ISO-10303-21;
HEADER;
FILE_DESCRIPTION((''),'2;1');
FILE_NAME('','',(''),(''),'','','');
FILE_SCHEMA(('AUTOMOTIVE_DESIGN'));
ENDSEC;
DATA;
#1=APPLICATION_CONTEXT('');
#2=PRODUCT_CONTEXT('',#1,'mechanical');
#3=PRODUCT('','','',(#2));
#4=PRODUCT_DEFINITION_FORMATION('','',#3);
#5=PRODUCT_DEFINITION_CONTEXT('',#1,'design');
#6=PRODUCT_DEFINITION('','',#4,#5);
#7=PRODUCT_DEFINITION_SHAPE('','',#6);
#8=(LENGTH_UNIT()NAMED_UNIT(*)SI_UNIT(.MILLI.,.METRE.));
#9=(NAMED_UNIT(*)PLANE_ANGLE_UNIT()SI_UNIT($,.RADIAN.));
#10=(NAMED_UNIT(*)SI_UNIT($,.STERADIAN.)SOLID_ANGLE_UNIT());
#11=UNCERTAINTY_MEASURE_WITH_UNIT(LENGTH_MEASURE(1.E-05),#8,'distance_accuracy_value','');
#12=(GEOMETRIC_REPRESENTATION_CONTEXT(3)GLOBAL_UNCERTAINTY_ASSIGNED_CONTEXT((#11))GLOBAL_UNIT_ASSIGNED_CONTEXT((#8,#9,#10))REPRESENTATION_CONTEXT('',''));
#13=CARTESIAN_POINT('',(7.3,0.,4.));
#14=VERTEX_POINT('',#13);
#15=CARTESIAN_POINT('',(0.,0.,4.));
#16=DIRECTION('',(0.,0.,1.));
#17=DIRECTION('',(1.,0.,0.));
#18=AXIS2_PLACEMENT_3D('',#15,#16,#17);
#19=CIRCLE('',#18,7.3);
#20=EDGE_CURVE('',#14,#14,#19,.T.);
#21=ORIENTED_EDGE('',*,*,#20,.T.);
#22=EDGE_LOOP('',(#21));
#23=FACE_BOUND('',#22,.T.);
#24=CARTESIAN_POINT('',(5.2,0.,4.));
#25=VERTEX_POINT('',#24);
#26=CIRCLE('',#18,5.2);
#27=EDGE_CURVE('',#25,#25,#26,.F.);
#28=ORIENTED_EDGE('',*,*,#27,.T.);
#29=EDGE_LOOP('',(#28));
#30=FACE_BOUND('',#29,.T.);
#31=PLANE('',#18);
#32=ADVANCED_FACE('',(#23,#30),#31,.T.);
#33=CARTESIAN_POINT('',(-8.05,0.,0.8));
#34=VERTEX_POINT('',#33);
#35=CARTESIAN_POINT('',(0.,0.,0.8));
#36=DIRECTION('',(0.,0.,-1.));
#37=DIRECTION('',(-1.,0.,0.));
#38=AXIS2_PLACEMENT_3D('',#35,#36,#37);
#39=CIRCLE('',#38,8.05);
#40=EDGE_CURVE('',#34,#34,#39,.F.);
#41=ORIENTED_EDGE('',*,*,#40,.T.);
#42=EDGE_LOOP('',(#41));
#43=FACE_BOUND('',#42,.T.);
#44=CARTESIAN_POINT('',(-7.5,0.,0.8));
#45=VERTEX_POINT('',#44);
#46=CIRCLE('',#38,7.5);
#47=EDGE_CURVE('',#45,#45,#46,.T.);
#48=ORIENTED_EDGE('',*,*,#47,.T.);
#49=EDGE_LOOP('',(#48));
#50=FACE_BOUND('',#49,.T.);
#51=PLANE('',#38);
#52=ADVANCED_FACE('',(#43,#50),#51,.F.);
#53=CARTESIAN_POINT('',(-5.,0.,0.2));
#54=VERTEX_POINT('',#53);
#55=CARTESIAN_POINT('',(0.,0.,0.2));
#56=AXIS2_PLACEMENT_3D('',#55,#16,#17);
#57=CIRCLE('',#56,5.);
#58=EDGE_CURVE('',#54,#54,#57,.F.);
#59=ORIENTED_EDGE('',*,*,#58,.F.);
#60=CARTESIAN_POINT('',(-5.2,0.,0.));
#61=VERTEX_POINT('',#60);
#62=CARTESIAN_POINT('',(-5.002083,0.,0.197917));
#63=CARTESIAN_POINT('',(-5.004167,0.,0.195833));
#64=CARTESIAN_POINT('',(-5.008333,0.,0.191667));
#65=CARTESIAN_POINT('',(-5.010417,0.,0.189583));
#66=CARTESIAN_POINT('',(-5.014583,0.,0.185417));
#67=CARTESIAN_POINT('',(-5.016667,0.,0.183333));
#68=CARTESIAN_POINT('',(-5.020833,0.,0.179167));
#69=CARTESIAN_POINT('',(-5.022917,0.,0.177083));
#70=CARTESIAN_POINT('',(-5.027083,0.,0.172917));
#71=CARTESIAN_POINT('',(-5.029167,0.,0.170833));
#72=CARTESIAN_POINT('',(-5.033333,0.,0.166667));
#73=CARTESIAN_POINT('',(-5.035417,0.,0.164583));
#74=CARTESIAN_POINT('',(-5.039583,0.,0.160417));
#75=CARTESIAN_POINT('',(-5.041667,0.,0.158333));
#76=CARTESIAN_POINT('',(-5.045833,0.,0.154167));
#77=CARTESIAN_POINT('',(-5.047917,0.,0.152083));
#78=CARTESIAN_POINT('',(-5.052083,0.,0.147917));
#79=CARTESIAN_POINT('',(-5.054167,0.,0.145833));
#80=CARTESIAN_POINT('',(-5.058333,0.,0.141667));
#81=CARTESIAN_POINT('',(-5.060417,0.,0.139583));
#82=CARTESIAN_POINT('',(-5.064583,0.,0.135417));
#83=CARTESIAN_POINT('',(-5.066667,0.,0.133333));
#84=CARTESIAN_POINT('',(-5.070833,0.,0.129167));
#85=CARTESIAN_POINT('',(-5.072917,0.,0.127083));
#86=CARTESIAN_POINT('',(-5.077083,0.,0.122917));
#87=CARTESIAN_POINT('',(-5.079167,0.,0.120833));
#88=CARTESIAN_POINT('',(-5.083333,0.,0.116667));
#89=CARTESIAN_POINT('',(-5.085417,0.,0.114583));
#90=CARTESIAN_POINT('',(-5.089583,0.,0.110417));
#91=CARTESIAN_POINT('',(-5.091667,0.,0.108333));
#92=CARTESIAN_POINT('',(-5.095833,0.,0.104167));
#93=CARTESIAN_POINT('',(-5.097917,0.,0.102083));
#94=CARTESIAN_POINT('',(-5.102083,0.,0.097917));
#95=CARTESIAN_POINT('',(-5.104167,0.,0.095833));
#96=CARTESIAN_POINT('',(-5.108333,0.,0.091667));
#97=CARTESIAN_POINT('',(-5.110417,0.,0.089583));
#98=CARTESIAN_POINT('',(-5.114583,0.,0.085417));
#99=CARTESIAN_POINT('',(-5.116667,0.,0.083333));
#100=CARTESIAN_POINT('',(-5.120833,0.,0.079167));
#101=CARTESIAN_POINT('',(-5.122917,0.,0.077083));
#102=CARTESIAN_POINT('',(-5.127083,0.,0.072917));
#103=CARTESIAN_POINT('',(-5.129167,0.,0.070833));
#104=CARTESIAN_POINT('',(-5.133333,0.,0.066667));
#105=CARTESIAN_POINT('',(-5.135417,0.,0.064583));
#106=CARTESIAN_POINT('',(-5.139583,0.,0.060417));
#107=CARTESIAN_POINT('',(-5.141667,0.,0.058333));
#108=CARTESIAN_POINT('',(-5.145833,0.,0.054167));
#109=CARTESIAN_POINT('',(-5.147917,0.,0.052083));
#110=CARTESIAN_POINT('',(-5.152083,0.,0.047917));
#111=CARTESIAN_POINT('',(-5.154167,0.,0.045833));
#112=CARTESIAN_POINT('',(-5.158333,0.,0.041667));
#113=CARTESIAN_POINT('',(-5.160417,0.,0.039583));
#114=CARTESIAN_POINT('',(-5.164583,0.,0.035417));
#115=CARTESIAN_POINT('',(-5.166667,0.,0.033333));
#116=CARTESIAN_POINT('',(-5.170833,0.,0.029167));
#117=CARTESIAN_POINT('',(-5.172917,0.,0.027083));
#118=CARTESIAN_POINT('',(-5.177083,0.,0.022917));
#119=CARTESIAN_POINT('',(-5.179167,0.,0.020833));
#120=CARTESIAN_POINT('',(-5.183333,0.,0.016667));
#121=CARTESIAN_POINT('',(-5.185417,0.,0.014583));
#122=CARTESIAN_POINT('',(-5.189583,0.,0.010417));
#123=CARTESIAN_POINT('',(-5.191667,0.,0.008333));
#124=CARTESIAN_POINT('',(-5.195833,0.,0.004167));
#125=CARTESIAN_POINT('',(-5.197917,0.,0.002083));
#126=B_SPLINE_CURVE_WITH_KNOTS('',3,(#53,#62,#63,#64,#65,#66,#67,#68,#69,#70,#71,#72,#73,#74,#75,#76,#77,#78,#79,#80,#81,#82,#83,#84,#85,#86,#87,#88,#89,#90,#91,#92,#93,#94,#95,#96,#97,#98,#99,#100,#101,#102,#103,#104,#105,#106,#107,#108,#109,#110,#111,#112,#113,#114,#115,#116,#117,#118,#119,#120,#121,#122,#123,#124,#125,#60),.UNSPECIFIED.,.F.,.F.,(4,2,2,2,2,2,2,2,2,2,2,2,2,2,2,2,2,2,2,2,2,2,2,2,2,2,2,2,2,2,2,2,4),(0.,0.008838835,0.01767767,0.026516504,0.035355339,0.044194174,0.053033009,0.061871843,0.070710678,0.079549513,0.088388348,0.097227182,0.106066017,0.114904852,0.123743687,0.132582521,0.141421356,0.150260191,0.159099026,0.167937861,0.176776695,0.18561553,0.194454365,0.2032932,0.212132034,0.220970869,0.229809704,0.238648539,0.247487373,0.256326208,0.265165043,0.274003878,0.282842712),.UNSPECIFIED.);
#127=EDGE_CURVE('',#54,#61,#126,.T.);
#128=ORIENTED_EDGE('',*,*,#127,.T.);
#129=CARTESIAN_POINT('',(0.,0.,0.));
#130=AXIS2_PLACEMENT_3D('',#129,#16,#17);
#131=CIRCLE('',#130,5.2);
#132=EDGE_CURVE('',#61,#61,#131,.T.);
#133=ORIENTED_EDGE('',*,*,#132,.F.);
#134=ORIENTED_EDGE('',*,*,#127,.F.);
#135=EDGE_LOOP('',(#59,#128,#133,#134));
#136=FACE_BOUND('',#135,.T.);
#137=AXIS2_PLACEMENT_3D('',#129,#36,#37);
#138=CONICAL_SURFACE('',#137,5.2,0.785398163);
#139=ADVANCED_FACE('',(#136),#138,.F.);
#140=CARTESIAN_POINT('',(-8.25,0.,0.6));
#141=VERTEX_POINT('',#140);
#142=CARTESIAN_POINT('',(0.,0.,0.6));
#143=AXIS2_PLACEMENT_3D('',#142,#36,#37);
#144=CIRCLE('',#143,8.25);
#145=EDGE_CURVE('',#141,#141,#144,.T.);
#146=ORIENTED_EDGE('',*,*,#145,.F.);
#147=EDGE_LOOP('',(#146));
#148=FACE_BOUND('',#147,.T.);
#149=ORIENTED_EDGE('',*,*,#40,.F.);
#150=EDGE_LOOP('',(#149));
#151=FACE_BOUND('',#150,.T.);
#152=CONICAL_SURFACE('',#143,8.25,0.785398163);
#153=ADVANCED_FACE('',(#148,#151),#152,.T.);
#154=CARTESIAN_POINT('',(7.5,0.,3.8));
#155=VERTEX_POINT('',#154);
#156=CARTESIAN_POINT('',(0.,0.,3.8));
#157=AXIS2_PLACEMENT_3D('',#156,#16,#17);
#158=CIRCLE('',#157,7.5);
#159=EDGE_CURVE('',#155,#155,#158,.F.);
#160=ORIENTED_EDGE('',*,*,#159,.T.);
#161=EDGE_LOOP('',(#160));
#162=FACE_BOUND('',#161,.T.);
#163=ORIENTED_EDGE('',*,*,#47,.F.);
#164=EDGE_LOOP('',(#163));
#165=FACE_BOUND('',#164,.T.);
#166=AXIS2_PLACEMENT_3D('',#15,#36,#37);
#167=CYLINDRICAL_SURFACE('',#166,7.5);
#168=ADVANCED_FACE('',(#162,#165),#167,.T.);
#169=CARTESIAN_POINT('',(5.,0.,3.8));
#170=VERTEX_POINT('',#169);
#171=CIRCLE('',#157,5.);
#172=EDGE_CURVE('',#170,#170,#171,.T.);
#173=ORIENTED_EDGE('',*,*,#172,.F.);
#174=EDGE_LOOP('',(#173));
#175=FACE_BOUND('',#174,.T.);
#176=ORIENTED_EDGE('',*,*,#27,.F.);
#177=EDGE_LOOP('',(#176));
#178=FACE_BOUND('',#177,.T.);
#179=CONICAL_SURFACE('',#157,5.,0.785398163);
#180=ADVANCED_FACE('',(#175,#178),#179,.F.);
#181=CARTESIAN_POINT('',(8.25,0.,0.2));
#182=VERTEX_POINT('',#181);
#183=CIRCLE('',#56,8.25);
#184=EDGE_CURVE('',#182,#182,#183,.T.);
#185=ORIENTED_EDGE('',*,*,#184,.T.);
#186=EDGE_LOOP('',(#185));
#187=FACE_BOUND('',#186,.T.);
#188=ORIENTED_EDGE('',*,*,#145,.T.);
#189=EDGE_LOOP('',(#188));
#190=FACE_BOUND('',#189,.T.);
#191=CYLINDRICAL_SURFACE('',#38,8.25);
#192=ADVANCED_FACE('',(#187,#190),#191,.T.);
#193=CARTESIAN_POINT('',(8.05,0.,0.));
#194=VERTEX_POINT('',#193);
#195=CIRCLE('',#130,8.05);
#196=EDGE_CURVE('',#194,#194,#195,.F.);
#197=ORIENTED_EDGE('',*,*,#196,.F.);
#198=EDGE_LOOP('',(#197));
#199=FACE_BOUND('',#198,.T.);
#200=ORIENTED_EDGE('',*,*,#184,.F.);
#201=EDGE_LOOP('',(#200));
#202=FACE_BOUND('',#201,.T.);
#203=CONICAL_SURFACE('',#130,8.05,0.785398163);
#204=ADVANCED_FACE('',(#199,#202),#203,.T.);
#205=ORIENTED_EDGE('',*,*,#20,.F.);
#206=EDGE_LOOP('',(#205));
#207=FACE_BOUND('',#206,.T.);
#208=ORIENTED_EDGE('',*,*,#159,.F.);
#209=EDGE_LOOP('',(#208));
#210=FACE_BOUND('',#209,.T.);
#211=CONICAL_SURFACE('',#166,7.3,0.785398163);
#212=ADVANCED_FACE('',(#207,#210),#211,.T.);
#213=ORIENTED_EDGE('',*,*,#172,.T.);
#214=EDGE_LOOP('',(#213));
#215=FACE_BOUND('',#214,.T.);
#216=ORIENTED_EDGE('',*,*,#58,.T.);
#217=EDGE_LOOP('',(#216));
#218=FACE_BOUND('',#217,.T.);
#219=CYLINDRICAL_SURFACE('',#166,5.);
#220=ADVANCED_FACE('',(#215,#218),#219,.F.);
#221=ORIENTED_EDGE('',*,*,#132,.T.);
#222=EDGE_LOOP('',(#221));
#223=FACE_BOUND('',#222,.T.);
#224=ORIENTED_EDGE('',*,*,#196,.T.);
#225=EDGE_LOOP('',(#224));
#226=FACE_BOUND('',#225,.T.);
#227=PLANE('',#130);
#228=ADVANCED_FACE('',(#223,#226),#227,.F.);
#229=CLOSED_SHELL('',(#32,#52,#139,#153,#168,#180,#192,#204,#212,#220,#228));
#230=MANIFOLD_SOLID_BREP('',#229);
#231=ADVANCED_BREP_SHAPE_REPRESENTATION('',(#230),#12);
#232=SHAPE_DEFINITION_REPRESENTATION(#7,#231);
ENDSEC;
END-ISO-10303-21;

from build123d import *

# Parameters (mm, degrees)
SKETCH_1_R      = 7.5
SKETCH_1_R_2    = 5
EXTRUDE_1_DEPTH = 4
SKETCH_2_R      = 8.25
SKETCH_2_R_2    = 7.5
EXTRUDE_2_DEPTH = 0.8
CHAMFER_1_SIZE  = 0.2


with BuildPart() as part:
    # 草图1 → 凸台-拉伸1 (new body)
    with BuildSketch(Plane.XY):
        Circle(SKETCH_1_R)
        Circle(SKETCH_1_R_2, mode=Mode.SUBTRACT)
    extrude(amount=EXTRUDE_1_DEPTH)

    # 草图2 → 凸台-拉伸2 (add)
    with BuildSketch(Plane(origin=(0, 0, 0), x_dir=(-1, 0, 0), z_dir=(0, 0, -1))):
        Circle(SKETCH_2_R)
        Circle(SKETCH_2_R_2, mode=Mode.SUBTRACT)
    extrude(amount=-EXTRUDE_2_DEPTH)

    # 倒角1
    chamfer_1_edges = [part.edges().sort_by_distance(p)[0] for p in [
        (8.25, 0, 0.8),
        (8.25, 0, 0),
        (-7.5, 0, 4),
        (-5, 0, 0),
        (-5, 0, 4),
    ]]
    chamfer(chamfer_1_edges, length=CHAMFER_1_SIZE)


solid = part.part
